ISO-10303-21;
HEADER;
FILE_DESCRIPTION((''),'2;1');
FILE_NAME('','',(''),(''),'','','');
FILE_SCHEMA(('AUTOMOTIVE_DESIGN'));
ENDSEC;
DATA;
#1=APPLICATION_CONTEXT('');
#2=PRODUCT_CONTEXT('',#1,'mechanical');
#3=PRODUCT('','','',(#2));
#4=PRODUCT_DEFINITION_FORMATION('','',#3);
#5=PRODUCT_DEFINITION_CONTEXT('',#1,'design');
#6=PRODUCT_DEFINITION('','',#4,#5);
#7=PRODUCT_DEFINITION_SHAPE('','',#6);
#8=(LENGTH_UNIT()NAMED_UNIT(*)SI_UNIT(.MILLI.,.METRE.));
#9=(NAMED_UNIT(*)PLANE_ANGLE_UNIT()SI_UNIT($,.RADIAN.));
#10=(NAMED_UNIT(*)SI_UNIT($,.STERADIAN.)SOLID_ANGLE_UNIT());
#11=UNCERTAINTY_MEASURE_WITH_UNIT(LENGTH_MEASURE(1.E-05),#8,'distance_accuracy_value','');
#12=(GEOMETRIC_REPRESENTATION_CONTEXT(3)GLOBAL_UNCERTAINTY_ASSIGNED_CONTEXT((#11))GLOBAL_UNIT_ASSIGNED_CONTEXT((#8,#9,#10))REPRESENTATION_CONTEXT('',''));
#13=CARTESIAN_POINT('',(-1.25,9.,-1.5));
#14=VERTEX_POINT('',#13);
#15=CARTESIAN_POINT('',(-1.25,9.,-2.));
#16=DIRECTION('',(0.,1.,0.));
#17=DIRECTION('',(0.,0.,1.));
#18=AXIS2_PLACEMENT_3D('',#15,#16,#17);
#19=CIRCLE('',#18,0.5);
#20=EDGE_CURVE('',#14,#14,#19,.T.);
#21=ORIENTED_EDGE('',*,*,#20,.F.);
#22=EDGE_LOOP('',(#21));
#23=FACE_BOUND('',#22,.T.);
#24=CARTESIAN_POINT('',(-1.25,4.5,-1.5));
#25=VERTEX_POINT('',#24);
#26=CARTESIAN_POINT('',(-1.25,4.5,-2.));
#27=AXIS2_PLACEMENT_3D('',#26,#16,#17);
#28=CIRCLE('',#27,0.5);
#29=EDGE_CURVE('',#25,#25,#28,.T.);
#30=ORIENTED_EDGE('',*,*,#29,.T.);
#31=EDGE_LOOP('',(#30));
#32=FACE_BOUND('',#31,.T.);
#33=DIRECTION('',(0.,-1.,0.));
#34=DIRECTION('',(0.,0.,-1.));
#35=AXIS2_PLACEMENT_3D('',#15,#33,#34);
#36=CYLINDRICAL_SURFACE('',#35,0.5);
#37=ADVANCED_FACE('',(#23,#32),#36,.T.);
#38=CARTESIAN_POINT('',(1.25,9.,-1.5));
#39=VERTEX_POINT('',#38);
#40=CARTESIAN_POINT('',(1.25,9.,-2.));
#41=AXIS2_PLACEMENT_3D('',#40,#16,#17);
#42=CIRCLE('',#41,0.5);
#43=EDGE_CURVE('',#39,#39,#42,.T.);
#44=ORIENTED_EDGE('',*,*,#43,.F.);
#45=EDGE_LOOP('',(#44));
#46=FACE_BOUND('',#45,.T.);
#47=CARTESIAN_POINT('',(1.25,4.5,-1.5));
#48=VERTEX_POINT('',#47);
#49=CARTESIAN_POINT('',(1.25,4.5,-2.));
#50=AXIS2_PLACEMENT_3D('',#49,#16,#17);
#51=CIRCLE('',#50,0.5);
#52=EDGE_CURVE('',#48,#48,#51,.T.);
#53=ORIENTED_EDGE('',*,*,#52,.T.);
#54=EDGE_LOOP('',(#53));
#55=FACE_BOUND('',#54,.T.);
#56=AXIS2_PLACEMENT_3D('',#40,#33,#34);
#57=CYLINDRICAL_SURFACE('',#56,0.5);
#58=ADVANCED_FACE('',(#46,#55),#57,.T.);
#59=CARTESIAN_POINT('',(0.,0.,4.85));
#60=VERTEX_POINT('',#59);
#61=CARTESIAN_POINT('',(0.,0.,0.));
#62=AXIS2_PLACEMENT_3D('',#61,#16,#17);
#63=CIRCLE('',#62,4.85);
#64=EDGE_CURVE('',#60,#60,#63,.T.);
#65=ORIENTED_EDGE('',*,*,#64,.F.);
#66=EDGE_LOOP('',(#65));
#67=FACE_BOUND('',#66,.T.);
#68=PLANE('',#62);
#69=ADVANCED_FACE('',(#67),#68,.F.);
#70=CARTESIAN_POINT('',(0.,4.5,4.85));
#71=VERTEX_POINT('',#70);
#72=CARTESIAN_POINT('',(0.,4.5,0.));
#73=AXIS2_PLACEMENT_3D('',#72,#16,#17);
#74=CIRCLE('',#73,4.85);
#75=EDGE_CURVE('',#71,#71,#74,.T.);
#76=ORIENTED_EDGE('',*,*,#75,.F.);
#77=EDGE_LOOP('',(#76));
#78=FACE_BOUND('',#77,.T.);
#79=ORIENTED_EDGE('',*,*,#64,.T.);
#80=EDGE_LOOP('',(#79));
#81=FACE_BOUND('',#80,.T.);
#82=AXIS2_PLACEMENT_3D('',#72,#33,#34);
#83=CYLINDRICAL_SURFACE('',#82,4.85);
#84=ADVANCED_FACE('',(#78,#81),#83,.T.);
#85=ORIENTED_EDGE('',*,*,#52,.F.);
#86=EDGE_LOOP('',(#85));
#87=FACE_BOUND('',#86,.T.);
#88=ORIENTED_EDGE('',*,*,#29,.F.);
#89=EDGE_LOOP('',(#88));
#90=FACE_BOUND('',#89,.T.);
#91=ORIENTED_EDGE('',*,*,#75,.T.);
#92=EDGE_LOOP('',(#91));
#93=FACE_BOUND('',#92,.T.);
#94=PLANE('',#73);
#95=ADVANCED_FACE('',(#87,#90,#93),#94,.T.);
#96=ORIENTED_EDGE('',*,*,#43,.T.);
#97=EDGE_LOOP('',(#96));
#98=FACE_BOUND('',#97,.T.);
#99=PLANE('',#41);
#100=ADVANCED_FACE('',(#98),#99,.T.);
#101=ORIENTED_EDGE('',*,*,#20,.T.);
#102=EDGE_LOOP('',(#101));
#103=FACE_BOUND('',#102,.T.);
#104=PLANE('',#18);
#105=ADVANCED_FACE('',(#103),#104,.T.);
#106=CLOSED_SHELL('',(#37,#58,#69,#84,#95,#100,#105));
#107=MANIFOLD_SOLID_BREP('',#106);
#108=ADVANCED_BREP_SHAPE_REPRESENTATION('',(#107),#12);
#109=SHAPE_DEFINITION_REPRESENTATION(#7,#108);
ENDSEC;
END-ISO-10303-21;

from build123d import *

# Parameters (mm, degrees)
SKETCH_1_R      = 4.85
EXTRUDE_1_DEPTH = 4.5
SKETCH_2_R      = 0.5
EXTRUDE_3_DEPTH = 4.5


with BuildPart() as part:
    # 스케치1 → 보스-돌출1 (new body)
    with BuildSketch(Plane(origin=(0, 0, 0), x_dir=(1, 0, 0), z_dir=(0, 1, 0))):
        with Locations(Location((0, 0, 0), (0, 0, 270))):
            Circle(SKETCH_1_R)
    extrude(amount=EXTRUDE_1_DEPTH)

    # 스케치2 → 보스-돌출3 (add)
    with BuildSketch(Plane(origin=(0, 4.5, 0), x_dir=(1, 0, 0), z_dir=(0, 1, 0))):
        with Locations(Location((1.25, 2, 0), (0, 0, 270))):
            Circle(SKETCH_2_R)
        with Locations(Location((-1.25, 2, 0), (0, 0, 270))):
            Circle(SKETCH_2_R)
    extrude(amount=EXTRUDE_3_DEPTH)


solid = part.part
